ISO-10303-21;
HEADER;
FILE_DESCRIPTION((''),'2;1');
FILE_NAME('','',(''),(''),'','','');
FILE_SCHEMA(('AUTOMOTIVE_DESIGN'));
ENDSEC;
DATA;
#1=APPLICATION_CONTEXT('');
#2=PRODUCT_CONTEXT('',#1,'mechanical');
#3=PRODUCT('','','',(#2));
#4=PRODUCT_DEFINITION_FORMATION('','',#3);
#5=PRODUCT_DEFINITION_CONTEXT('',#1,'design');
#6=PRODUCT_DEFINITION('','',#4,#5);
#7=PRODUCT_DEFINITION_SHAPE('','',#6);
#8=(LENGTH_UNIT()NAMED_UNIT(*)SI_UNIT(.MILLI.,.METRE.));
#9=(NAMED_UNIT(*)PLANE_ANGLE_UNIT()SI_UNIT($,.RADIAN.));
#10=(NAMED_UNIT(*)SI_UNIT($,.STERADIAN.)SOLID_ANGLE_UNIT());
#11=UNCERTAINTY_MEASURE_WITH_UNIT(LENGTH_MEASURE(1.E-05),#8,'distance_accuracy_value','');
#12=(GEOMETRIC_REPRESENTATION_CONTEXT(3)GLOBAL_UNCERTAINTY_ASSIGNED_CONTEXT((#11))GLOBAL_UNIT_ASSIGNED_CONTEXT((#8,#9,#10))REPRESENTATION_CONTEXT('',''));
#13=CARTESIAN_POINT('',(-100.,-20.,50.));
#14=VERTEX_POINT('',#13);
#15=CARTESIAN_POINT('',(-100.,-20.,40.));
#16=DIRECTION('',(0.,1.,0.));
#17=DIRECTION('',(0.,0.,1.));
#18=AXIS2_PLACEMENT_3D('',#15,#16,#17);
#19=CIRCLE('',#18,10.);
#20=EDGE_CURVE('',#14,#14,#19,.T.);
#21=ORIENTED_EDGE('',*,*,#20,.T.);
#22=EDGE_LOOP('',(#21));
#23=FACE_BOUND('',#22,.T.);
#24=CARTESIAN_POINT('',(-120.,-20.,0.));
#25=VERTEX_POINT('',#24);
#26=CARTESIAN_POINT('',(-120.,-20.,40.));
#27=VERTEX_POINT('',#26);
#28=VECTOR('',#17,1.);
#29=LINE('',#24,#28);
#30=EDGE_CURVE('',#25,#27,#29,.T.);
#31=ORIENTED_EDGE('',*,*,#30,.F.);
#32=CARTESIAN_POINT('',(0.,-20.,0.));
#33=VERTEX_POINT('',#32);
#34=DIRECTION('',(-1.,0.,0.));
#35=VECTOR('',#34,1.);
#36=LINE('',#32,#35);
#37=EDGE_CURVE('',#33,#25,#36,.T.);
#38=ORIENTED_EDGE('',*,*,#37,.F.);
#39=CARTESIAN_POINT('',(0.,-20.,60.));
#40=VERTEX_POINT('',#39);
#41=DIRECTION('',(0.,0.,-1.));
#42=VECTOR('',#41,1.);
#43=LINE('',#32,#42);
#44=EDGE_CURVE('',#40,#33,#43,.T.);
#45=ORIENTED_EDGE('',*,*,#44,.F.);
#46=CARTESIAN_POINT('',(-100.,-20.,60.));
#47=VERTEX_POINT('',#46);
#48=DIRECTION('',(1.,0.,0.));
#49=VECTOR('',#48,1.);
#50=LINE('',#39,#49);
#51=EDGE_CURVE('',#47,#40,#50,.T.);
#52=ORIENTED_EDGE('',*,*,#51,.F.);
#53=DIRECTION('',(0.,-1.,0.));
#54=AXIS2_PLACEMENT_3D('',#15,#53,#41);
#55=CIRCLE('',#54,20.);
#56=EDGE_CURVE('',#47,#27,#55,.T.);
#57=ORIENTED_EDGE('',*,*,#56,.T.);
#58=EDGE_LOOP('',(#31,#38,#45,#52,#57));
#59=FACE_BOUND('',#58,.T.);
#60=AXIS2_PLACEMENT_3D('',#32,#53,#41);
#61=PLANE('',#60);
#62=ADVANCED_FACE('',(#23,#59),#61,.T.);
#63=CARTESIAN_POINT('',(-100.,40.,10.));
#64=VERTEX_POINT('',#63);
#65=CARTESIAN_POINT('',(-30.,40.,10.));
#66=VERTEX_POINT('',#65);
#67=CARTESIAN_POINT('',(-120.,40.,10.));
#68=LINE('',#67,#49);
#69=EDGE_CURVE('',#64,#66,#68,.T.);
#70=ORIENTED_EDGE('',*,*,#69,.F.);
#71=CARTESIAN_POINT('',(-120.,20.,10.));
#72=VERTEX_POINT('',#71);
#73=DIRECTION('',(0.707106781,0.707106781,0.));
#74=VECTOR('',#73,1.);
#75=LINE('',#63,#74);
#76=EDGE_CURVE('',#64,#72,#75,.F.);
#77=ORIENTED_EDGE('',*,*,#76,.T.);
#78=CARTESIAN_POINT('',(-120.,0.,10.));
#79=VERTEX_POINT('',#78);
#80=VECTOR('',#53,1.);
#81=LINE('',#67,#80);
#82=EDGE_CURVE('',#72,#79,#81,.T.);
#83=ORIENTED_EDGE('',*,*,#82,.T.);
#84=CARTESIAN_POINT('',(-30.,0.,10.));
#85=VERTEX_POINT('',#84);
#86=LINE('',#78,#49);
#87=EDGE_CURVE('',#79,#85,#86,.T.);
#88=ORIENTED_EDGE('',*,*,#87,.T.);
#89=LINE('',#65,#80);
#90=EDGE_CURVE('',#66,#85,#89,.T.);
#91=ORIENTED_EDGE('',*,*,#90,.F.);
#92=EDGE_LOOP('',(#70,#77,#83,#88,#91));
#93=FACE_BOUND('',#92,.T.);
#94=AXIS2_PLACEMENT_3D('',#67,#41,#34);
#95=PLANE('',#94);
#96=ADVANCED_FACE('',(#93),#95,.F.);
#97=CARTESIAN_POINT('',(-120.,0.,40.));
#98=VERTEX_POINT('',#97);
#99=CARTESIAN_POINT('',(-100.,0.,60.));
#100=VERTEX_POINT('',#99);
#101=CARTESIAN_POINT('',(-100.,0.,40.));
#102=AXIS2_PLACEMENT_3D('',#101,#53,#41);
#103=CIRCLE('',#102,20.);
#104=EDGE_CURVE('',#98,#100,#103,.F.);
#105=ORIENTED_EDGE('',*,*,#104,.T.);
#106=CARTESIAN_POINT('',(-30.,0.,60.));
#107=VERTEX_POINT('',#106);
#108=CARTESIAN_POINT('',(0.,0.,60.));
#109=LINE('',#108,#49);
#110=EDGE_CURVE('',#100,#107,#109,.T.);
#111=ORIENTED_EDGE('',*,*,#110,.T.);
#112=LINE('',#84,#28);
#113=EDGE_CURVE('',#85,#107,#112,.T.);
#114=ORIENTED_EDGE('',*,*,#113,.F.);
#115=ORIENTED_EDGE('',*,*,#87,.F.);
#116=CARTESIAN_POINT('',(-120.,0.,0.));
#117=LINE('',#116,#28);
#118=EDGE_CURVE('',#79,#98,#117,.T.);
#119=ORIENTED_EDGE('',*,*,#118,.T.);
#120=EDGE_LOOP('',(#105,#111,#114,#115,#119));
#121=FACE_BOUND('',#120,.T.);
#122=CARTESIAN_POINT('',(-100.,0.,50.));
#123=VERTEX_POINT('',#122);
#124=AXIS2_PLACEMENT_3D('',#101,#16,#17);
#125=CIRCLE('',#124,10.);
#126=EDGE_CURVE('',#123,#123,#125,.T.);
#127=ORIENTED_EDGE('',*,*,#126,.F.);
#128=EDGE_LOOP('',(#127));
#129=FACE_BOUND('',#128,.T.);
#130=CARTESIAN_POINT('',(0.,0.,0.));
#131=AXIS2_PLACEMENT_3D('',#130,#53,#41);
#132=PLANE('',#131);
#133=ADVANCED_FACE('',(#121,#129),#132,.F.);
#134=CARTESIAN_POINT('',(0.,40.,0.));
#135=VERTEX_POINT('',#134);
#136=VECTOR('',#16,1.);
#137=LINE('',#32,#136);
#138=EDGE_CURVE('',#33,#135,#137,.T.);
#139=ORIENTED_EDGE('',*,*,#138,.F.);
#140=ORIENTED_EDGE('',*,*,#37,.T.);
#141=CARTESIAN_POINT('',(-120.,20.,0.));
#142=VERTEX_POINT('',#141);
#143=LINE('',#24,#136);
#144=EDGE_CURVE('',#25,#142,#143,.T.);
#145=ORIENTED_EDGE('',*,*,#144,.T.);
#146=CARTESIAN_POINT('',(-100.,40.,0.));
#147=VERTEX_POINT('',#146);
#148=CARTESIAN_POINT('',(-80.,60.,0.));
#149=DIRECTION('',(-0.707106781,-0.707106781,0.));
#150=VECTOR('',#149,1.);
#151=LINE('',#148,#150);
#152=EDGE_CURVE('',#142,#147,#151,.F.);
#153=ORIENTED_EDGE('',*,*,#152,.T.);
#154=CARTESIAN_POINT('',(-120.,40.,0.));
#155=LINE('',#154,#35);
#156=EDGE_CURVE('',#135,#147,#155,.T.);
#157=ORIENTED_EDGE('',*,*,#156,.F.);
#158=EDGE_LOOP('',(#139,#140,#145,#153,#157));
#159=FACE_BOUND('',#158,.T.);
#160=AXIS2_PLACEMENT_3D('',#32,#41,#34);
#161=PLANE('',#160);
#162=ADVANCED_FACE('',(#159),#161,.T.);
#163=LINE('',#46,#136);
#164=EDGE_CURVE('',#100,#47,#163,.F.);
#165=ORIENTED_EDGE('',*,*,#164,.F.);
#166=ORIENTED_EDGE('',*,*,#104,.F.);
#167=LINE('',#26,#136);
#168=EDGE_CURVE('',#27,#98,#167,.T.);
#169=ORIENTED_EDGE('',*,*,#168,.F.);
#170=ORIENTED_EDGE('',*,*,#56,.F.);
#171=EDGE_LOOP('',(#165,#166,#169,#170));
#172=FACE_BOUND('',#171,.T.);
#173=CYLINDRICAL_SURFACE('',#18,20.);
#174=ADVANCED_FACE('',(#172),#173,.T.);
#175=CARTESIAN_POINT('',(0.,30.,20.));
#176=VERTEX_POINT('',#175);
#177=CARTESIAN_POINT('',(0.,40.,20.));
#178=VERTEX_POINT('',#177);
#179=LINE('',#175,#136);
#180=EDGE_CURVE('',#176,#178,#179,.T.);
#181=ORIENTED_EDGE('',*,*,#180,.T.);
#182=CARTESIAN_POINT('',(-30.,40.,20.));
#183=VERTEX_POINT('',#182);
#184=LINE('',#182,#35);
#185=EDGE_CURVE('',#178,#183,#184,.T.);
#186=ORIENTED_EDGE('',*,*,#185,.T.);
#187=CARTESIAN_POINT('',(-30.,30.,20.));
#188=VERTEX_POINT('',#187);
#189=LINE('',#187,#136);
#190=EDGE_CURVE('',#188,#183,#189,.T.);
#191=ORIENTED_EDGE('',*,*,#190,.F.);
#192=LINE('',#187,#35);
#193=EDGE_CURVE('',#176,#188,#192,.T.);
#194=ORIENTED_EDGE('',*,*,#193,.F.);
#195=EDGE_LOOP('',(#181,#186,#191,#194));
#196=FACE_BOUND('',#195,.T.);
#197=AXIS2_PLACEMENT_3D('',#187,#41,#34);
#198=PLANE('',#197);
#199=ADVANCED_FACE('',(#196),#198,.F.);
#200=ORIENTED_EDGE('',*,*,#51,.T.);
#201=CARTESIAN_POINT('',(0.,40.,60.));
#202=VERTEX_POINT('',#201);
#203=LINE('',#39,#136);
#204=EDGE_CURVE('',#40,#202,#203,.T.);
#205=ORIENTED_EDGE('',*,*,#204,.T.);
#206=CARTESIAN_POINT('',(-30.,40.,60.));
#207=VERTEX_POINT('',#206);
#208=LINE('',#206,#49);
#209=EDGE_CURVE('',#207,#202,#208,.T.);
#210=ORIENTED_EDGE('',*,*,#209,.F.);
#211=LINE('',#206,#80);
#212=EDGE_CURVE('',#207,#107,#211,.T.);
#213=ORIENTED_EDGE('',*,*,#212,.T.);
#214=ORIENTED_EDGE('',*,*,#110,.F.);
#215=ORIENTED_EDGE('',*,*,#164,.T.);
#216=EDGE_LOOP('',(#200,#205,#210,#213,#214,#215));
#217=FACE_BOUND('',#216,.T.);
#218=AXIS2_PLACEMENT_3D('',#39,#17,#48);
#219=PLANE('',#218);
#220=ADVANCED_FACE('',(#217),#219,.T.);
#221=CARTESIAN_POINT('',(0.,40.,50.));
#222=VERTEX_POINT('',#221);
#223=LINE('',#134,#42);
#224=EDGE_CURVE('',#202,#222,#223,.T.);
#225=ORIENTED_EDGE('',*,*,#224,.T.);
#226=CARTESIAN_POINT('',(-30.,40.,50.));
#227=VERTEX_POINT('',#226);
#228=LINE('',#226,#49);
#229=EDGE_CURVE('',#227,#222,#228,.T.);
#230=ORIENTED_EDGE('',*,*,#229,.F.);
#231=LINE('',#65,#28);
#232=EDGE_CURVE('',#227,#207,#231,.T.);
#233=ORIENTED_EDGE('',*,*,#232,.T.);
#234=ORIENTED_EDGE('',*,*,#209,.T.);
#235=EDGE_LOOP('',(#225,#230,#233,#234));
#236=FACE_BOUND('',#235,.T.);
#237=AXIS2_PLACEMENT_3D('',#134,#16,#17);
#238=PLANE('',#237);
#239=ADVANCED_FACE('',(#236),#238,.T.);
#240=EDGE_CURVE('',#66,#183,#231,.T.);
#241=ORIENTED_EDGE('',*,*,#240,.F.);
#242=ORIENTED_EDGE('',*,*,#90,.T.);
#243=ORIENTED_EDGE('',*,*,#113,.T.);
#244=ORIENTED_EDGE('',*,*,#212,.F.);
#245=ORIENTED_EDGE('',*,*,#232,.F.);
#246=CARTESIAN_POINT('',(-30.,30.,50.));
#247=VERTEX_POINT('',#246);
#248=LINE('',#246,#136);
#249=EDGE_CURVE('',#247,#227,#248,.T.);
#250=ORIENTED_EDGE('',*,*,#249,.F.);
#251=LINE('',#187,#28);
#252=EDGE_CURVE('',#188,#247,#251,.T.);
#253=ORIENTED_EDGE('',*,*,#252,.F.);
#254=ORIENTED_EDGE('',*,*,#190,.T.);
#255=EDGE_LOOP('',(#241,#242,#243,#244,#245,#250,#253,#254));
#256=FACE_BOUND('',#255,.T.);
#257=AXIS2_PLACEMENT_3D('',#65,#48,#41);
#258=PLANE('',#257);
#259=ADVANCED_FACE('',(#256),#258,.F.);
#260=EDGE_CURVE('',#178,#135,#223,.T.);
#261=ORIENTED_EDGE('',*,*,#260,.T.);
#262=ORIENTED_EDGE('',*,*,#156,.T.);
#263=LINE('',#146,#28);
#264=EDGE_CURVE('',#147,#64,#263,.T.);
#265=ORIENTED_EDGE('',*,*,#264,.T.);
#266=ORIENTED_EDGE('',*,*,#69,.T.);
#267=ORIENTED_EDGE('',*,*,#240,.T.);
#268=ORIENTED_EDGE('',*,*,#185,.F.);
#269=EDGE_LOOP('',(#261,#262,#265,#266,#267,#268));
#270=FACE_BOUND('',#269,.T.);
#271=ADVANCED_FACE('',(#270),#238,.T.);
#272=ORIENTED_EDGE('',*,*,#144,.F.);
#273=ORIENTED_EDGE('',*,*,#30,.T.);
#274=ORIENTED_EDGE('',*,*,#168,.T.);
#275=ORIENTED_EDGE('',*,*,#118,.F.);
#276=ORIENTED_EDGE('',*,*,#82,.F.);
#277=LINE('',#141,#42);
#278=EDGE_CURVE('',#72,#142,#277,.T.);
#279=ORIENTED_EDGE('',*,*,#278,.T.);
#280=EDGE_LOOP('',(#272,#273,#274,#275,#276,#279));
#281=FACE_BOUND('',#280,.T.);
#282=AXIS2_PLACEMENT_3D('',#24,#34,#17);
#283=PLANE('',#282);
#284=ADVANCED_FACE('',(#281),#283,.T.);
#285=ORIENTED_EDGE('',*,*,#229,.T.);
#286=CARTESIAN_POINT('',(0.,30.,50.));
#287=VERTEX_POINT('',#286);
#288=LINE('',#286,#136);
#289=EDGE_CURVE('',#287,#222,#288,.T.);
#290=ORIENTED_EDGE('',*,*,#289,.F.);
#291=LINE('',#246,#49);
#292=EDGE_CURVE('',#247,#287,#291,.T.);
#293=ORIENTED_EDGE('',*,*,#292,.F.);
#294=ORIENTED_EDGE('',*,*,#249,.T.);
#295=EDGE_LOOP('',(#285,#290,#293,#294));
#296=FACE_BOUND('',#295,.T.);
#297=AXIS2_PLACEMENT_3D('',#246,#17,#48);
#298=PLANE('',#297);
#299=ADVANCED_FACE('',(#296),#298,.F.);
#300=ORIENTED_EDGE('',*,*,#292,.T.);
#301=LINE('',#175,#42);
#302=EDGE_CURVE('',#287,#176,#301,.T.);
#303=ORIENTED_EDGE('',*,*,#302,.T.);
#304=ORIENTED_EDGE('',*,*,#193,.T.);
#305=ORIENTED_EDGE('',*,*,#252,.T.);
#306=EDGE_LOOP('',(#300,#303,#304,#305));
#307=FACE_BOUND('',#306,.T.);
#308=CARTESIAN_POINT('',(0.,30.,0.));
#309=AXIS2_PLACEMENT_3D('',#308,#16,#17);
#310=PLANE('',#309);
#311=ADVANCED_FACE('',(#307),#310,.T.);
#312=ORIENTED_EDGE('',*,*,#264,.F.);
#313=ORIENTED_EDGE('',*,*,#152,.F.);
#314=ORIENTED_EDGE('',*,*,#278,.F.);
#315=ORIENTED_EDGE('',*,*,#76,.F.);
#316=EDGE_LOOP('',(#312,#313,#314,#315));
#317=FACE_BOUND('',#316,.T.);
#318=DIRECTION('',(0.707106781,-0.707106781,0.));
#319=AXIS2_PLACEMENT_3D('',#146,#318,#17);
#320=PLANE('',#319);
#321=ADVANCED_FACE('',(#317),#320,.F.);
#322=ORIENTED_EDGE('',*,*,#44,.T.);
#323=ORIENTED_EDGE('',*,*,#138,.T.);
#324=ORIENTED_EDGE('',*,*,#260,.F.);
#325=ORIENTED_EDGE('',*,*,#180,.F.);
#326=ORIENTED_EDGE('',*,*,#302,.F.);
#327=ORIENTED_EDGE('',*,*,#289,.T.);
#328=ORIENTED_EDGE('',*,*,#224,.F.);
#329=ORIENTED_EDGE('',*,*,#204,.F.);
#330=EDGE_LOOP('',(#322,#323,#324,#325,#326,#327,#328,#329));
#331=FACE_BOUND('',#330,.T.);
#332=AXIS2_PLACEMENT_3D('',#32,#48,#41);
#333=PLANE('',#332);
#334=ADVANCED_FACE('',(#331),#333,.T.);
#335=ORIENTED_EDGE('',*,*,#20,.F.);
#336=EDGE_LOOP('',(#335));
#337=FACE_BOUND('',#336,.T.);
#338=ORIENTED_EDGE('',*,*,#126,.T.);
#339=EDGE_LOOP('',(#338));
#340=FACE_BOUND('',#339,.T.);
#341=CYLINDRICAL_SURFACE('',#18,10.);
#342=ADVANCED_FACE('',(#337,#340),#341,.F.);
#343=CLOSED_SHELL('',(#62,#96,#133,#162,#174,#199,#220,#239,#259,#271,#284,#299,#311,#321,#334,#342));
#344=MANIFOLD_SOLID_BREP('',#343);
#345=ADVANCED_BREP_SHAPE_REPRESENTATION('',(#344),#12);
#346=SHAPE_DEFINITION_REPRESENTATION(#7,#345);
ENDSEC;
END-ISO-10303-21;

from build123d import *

# Parameters (mm, degrees)
SKETCH2_W           = 120
SKETCH2_H           = 60
BOSS_EXTRUDE1_DEPTH = 20
BOSS_EXTRUDE2_DEPTH = 40
FILLET1_R           = 20
CHAMFER1_SIZE       = 20
SKETCH8_W           = 30
SKETCH8_H           = 30
CUT_EXTRUDE1_DEPTH  = 10
SKETCH11_R          = 10
CUT_EXTRUDE3_DEPTH  = 141


with BuildPart() as part:
    # Sketch2 → Boss-Extrude1 (new body)
    with BuildSketch(Plane(origin=(0, 0, 0), x_dir=(1, 0, 0), z_dir=(0, 1, 0))):
        with Locations((-60, -30)):
            Rectangle(SKETCH2_W, SKETCH2_H)
    extrude(amount=-BOSS_EXTRUDE1_DEPTH)

    # Sketch3 → Boss-Extrude2 (add)
    with BuildSketch(Plane(origin=(0, 0, 0), x_dir=(1, 0, 0), z_dir=(0, 1, 0))):
        Polygon((-120, -10), (-30, -10), (-30, -60), (0, -60), (0, 0), (-120, 0), align=None)
    extrude(amount=BOSS_EXTRUDE2_DEPTH)

    # Fillet1
    fillet1_edges = [part.edges().sort_by_distance(p)[0] for p in [
        (-120, -10, 60),
    ]]
    fillet(fillet1_edges, radius=FILLET1_R)

    # Chamfer1
    chamfer1_edges = [part.edges().sort_by_distance(p)[0] for p in [
        (-120, 40, 5),
    ]]
    chamfer(chamfer1_edges, length=CHAMFER1_SIZE)

    # Sketch8 → Cut-Extrude1 (cut)
    with BuildSketch(Plane(origin=(0, 40, 0), x_dir=(1, 0, 0), z_dir=(0, 1, 0))):
        with Locations((-15, -35)):
            Rectangle(SKETCH8_W, SKETCH8_H)
    extrude(amount=-CUT_EXTRUDE1_DEPTH, mode=Mode.SUBTRACT)

    # Sketch11 → Cut-Extrude3 (cut, through all)
    with BuildSketch(Plane(origin=(0, 0, 0), x_dir=(1, 0, 0), z_dir=(0, 1, 0))):
        with Locations(Location((-100, -40, 0), (0, 0, 270))):
            Circle(SKETCH11_R)
    extrude(amount=-CUT_EXTRUDE3_DEPTH, mode=Mode.SUBTRACT)


solid = part.part
